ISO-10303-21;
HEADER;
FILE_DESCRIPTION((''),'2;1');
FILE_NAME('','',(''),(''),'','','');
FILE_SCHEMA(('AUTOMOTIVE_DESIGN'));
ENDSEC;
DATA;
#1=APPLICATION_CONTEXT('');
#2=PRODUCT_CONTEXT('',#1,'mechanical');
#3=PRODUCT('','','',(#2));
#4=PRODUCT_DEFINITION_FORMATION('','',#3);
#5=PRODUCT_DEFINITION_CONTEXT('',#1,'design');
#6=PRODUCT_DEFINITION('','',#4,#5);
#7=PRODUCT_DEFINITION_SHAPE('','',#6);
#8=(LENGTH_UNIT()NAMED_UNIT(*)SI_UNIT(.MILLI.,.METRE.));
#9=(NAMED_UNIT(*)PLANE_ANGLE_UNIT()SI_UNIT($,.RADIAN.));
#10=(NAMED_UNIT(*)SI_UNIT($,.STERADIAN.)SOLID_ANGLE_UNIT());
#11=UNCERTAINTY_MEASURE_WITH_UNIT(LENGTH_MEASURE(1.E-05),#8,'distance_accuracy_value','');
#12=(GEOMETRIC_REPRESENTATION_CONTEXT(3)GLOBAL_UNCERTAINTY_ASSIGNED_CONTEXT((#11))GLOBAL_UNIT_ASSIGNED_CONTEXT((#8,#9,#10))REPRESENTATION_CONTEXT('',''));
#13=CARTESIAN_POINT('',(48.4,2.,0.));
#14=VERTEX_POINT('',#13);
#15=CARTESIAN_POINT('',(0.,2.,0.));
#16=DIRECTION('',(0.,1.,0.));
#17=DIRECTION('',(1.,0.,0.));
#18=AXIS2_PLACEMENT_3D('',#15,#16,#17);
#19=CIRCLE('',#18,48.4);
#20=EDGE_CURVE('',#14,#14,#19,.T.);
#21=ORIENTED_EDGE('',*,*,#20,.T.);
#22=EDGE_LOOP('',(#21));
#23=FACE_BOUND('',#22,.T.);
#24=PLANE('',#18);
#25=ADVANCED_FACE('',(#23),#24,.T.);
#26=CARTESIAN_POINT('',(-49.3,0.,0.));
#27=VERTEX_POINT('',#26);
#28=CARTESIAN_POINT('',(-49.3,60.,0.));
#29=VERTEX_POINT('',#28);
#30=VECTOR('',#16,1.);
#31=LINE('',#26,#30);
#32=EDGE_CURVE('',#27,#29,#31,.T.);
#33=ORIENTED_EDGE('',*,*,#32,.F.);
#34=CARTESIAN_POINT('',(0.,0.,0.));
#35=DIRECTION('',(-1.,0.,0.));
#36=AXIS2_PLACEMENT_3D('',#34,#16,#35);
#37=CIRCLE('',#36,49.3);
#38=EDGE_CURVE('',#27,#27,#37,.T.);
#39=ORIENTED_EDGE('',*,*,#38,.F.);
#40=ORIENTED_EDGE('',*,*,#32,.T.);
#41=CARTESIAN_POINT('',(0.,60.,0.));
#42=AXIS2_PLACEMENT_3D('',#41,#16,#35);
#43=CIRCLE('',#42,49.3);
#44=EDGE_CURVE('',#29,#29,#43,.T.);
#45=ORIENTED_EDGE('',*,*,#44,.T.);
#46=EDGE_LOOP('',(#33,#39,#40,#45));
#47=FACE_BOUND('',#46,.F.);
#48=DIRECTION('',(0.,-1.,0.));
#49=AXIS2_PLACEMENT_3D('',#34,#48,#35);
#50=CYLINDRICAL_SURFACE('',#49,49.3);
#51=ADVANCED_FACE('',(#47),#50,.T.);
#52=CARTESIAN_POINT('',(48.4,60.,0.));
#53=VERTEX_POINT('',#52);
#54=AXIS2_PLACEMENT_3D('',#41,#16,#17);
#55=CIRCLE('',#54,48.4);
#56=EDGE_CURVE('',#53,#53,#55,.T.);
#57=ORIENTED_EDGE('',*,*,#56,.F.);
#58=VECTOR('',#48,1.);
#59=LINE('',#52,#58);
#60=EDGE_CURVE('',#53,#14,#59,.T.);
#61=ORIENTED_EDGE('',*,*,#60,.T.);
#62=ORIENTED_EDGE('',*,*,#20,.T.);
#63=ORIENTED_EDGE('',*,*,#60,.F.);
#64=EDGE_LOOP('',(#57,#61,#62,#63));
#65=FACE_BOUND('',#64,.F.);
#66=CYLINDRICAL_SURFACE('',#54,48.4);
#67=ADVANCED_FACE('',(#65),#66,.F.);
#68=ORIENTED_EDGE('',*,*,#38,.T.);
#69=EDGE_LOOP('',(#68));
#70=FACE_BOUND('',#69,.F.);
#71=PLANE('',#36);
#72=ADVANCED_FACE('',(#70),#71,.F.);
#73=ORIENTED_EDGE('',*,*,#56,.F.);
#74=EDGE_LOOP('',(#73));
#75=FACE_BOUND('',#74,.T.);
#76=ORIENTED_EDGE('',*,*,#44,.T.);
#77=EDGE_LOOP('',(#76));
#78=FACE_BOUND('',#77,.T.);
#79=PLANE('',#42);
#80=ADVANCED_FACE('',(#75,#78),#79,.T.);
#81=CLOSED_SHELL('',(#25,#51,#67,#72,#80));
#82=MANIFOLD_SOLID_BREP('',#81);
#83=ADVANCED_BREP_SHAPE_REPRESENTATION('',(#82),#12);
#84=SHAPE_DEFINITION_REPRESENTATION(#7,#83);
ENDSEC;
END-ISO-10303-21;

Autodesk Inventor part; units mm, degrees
ref_plane "YZ Plane" through (0, 0, 0) normal (1, 0, 0) x (0, 1, 0)
ref_plane "XZ Plane" through (0, 0, 0) normal (0, 1, 0) x (-1, 0, 0)
ref_plane "XY Plane" through (0, 0, 0) normal (0, 0, 1) x (1, 0, 0)
sketch "Sketch2" plane through (0, 0, 0) normal (0, 1, 0) x (-1, 0, 0)
  circle A0 centre (0, 0) radius 49.3
  circle A1 centre (0, 0) radius 48.4
  dimension "d4" = 98.6
  dimension "d5" = 96.8
extrude "Extrusion2" add sketch "Sketch2" along normal blind 60 contours A0 | A1
sketch "Sketch3" plane through (0, 60, 0) normal (0, 1, 0) x (1, 0, 0)
  circle A0 centre (0, 0) radius 48.4
  dimension "d8" = 96.8
extrude "Extrusion3" cut sketch "Sketch3" against normal blind 58
properties part number "pot"
